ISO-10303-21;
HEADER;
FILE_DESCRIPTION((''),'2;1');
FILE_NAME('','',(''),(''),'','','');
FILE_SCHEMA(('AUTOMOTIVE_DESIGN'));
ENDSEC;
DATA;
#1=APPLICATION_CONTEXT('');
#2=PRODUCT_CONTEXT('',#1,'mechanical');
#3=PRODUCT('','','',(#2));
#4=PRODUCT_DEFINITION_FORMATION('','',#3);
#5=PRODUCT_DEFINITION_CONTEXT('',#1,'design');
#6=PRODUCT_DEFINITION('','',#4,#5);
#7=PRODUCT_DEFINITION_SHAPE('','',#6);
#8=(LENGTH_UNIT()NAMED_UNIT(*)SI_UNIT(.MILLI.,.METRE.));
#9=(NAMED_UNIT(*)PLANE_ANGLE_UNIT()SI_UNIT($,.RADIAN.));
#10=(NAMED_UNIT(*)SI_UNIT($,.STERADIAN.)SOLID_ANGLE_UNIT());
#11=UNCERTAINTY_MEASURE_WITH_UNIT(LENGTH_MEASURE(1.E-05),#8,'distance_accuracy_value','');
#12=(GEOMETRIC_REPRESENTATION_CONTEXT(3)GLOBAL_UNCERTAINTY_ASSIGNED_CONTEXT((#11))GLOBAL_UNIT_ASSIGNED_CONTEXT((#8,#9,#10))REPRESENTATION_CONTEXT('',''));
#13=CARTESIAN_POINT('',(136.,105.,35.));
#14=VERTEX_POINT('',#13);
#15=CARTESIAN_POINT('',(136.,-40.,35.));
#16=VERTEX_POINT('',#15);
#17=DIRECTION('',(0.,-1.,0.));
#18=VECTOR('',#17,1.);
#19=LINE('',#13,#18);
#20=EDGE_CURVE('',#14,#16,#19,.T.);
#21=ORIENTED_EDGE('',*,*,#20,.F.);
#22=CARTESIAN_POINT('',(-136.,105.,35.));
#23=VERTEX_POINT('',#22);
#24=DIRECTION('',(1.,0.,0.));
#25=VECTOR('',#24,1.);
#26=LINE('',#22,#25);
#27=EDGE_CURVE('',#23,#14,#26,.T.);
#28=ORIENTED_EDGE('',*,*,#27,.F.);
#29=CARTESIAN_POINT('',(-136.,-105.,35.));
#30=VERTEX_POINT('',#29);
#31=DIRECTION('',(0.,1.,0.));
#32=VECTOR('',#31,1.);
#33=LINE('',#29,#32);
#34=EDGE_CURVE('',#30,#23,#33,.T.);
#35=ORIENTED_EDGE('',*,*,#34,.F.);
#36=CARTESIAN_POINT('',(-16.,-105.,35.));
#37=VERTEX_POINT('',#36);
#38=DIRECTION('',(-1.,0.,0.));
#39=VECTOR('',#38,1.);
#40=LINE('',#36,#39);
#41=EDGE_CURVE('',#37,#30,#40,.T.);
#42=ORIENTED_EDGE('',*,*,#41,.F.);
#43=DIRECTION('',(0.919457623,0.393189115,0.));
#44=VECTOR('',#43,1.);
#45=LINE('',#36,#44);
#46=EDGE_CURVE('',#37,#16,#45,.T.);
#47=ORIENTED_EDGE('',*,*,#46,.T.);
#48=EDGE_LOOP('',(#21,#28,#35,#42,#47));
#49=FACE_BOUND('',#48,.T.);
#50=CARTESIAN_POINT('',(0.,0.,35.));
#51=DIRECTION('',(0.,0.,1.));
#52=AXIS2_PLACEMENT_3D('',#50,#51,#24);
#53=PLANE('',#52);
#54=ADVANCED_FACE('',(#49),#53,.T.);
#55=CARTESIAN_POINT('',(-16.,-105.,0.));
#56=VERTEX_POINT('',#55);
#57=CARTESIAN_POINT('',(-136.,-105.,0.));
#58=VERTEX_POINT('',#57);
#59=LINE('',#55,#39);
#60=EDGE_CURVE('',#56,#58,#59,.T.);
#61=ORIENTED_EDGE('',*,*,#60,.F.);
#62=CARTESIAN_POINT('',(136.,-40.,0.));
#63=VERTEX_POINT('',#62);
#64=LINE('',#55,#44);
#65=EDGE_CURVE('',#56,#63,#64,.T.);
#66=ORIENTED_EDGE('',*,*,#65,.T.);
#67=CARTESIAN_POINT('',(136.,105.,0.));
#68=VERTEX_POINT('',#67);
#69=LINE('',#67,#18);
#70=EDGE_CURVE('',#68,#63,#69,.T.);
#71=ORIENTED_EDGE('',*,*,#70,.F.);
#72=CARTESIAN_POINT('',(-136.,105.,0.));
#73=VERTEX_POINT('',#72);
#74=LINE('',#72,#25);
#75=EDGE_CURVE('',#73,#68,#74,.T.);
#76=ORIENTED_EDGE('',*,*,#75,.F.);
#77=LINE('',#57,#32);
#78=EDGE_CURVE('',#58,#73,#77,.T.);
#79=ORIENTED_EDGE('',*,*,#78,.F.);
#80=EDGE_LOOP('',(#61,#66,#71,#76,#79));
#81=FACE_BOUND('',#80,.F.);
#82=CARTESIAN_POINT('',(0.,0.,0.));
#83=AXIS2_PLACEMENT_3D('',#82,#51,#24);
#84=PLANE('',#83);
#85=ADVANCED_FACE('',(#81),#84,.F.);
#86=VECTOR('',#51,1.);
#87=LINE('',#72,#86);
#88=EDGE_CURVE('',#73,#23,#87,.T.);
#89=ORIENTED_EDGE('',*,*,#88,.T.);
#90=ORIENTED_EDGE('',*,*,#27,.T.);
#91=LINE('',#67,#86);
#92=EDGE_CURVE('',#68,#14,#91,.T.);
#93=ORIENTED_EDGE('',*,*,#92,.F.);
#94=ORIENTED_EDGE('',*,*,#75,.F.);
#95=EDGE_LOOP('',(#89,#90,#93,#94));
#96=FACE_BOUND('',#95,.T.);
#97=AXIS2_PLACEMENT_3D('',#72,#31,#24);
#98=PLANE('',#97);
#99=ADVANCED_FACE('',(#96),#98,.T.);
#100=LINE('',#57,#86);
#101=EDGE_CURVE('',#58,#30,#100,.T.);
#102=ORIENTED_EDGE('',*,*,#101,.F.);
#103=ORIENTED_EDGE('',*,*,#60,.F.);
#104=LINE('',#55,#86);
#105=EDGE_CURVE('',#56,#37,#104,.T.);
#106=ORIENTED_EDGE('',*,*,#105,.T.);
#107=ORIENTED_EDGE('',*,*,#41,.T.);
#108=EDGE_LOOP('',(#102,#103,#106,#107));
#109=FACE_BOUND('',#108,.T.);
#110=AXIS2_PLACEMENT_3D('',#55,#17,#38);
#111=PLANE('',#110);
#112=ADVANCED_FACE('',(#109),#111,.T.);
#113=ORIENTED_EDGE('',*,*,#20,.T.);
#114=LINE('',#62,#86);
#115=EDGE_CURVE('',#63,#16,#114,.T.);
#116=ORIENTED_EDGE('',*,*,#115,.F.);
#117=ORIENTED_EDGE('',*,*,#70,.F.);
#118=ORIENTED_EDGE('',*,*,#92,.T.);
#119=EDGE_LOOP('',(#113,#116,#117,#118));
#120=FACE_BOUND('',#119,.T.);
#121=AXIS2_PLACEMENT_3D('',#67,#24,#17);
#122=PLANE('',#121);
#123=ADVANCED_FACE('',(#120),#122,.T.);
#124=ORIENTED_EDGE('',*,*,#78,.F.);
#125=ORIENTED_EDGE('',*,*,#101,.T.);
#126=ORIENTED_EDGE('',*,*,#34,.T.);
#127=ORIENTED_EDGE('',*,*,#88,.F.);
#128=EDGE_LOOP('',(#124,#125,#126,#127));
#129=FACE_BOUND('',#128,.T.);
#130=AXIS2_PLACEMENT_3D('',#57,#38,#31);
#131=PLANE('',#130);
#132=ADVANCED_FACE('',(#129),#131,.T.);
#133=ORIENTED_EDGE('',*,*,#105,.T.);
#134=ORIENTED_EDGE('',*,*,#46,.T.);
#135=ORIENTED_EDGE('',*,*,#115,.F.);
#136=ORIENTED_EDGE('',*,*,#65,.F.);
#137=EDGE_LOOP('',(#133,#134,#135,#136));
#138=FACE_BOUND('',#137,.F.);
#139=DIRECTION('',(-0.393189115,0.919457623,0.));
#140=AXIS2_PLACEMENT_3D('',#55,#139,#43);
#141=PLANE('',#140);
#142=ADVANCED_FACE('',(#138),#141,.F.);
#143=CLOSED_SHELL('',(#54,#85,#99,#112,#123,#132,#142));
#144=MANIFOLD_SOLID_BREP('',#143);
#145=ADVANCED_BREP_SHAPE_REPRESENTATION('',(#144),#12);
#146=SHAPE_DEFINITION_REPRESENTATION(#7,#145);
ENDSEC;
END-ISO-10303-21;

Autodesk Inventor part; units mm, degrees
ref_plane "YZ Plane" through (0, 0, 0) normal (1, 0, 0) x (0, 1, 0)
ref_plane "XZ Plane" through (0, 0, 0) normal (0, 1, 0) x (-1, 0, 0)
ref_plane "XY Plane" through (0, 0, 0) normal (0, 0, 1) x (1, 0, 0)
sketch "Sketch1" plane through (0, 0, 0) normal (0, 0, 1) x (1, 0, 0)
  line L0 (-136, 105) -> (136, 105)
  line L1 (136, 105) -> (136, -40)
  line L2 (-16, -105) -> (-136, -105)
  line L3 (-136, -105) -> (-136, 105)
  line L4 (-16, -105) -> (136, -40)
  point P0 (0, 0)
  dimension "d0" = 272
  dimension "d1" = 210
  dimension "d2" = 105
  dimension "d3" = 136
  dimension "d4" = 120
  dimension "d5" = 145
extrude "Extrusion1" add sketch "Sketch1" along normal blind 35
equation "\"d2\" = 0.5 * d1"
equation "\"d3\" = 0.5 * d0"
properties part number "filter top" material "Acetal Resin, White"
